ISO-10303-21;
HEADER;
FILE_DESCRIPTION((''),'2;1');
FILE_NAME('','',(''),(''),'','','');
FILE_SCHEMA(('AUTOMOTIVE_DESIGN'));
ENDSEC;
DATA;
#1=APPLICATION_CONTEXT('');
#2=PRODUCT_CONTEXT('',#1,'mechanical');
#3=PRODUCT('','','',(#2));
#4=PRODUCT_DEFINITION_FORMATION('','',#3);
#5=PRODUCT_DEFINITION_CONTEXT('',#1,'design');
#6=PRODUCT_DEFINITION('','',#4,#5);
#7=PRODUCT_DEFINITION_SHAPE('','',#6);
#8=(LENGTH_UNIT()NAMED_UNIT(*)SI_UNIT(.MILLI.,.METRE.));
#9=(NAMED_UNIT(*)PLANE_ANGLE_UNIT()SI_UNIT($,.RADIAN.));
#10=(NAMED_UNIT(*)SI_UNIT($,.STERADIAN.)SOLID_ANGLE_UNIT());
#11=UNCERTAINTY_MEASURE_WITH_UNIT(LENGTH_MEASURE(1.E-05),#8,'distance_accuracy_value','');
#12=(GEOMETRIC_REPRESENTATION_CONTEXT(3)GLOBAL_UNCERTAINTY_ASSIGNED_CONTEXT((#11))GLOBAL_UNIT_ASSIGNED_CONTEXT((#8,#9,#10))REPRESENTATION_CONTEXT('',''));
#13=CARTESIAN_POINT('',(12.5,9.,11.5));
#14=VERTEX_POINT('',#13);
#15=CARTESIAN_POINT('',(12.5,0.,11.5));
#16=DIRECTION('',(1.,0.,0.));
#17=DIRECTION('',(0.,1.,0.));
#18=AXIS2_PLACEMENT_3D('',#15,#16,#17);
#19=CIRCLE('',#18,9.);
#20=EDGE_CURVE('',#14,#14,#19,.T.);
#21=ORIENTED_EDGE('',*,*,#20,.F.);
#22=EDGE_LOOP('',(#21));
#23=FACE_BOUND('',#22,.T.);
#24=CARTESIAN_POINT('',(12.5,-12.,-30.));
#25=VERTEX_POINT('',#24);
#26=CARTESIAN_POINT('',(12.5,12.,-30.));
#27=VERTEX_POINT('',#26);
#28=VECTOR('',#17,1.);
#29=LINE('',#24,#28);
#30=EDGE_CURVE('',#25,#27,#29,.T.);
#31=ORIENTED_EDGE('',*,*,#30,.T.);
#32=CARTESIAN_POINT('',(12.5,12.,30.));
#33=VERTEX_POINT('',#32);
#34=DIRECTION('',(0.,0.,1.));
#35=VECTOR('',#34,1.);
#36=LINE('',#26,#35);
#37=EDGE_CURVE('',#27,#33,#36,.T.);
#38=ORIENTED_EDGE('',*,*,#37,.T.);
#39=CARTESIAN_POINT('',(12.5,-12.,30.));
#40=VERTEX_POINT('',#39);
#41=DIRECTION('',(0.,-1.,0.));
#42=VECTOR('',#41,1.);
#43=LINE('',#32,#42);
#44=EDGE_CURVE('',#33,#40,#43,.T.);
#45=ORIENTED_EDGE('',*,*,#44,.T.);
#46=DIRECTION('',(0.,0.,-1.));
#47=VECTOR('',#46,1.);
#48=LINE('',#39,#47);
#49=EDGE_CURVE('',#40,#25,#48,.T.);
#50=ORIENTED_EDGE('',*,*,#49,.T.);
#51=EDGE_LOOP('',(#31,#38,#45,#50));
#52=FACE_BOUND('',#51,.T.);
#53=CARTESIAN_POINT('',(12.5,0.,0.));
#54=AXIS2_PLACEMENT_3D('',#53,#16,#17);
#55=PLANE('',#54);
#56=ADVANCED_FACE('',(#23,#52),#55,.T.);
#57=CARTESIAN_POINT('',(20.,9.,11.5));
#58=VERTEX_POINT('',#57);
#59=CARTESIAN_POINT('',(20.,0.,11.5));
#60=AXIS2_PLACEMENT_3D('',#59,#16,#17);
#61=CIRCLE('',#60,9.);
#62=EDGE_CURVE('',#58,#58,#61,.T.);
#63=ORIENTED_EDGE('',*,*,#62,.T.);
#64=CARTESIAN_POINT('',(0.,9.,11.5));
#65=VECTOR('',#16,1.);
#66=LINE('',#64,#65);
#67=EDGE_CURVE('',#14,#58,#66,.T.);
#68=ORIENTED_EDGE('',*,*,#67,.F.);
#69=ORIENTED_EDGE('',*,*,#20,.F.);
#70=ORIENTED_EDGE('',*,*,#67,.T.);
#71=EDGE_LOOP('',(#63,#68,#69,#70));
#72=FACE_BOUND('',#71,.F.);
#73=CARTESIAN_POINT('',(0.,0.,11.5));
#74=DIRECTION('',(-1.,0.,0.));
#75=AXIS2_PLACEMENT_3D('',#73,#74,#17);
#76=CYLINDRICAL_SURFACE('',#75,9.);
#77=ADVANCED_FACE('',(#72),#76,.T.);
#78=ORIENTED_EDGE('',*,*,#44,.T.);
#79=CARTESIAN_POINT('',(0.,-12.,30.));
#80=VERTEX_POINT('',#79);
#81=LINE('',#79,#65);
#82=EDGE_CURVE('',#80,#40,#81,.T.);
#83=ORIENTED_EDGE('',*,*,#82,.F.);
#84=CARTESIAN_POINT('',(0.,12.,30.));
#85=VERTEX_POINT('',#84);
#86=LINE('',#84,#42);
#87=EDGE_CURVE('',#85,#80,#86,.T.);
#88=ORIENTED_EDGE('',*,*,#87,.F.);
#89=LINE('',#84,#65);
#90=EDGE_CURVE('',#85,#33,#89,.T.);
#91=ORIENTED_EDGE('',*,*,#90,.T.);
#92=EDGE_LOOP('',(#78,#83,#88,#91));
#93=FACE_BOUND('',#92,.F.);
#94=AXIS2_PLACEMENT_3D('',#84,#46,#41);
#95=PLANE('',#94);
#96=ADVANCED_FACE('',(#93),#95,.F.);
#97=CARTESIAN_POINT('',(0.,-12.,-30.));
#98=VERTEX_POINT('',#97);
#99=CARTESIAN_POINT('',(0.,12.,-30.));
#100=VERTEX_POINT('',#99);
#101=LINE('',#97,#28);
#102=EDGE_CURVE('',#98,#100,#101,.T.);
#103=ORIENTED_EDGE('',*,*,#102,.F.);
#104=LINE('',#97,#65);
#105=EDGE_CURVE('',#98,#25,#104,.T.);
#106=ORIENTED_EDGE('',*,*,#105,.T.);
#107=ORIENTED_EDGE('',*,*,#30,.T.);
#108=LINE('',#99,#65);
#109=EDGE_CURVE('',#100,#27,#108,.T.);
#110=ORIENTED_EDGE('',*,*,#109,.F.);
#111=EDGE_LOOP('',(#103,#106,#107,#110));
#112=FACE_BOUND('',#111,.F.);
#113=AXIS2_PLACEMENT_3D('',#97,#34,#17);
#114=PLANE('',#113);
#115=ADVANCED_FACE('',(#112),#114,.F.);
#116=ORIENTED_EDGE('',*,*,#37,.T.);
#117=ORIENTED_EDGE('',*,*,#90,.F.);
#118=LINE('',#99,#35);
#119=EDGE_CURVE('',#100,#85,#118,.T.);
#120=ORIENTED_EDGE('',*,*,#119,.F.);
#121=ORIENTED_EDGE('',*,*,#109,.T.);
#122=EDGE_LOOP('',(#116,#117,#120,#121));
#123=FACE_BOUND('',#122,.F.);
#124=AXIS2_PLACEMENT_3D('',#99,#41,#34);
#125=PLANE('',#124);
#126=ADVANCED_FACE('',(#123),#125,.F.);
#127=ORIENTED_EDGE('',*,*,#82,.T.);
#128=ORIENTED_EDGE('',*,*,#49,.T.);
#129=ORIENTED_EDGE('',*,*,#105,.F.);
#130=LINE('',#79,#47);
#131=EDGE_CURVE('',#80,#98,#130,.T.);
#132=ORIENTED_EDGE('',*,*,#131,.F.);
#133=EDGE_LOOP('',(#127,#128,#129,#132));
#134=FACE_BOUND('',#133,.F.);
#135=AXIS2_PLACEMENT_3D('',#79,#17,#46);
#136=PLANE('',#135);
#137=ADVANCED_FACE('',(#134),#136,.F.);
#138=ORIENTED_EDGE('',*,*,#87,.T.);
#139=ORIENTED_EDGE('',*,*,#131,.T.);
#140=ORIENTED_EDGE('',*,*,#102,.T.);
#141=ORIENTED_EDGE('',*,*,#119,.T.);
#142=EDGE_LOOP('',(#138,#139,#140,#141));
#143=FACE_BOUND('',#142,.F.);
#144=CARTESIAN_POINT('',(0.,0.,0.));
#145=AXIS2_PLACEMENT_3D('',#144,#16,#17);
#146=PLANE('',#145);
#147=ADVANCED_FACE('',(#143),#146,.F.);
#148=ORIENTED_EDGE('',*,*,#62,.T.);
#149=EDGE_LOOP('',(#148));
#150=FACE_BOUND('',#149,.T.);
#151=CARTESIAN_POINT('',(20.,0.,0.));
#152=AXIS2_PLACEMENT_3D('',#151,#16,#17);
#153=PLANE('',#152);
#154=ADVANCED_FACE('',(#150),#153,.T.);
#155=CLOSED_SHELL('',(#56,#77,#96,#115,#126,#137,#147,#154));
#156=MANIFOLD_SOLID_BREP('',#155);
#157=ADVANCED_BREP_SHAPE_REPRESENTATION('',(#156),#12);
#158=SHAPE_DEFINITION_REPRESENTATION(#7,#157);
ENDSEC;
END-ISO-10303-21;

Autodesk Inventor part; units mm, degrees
ref_plane "YZ Plane" through (0, 0, 0) normal (1, 0, 0) x (0, 1, 0)
ref_plane "XZ Plane" through (0, 0, 0) normal (0, 1, 0) x (-1, 0, 0)
ref_plane "XY Plane" through (0, 0, 0) normal (0, 0, 1) x (1, 0, 0)
sketch "Boceto1" plane through (0, 0, 0) normal (1, 0, 0) x (0, 1, 0)
  line L0 (12, 30) -> (-12, 30)
  line L1 (-12, 30) -> (-12, -30)
  line L2 (-12, -30) -> (12, -30)
  line L3 (12, -30) -> (12, 30)
  circle A0 centre (0, 11.5) radius 9
  point P0 (0, 0)
  point P1 (12, 0)
  point P2 (0, -30)
  dimension "d0" = 60
  dimension "d1" = 24
  dimension "d2" = 18
  dimension "d3" = 18.5
extrude "Extrusión1" add sketch "Boceto1" along normal blind 20 contours A0
extrude "Extrusión2" add sketch "Boceto1" along normal blind 12.5
properties part number "Cámara"
